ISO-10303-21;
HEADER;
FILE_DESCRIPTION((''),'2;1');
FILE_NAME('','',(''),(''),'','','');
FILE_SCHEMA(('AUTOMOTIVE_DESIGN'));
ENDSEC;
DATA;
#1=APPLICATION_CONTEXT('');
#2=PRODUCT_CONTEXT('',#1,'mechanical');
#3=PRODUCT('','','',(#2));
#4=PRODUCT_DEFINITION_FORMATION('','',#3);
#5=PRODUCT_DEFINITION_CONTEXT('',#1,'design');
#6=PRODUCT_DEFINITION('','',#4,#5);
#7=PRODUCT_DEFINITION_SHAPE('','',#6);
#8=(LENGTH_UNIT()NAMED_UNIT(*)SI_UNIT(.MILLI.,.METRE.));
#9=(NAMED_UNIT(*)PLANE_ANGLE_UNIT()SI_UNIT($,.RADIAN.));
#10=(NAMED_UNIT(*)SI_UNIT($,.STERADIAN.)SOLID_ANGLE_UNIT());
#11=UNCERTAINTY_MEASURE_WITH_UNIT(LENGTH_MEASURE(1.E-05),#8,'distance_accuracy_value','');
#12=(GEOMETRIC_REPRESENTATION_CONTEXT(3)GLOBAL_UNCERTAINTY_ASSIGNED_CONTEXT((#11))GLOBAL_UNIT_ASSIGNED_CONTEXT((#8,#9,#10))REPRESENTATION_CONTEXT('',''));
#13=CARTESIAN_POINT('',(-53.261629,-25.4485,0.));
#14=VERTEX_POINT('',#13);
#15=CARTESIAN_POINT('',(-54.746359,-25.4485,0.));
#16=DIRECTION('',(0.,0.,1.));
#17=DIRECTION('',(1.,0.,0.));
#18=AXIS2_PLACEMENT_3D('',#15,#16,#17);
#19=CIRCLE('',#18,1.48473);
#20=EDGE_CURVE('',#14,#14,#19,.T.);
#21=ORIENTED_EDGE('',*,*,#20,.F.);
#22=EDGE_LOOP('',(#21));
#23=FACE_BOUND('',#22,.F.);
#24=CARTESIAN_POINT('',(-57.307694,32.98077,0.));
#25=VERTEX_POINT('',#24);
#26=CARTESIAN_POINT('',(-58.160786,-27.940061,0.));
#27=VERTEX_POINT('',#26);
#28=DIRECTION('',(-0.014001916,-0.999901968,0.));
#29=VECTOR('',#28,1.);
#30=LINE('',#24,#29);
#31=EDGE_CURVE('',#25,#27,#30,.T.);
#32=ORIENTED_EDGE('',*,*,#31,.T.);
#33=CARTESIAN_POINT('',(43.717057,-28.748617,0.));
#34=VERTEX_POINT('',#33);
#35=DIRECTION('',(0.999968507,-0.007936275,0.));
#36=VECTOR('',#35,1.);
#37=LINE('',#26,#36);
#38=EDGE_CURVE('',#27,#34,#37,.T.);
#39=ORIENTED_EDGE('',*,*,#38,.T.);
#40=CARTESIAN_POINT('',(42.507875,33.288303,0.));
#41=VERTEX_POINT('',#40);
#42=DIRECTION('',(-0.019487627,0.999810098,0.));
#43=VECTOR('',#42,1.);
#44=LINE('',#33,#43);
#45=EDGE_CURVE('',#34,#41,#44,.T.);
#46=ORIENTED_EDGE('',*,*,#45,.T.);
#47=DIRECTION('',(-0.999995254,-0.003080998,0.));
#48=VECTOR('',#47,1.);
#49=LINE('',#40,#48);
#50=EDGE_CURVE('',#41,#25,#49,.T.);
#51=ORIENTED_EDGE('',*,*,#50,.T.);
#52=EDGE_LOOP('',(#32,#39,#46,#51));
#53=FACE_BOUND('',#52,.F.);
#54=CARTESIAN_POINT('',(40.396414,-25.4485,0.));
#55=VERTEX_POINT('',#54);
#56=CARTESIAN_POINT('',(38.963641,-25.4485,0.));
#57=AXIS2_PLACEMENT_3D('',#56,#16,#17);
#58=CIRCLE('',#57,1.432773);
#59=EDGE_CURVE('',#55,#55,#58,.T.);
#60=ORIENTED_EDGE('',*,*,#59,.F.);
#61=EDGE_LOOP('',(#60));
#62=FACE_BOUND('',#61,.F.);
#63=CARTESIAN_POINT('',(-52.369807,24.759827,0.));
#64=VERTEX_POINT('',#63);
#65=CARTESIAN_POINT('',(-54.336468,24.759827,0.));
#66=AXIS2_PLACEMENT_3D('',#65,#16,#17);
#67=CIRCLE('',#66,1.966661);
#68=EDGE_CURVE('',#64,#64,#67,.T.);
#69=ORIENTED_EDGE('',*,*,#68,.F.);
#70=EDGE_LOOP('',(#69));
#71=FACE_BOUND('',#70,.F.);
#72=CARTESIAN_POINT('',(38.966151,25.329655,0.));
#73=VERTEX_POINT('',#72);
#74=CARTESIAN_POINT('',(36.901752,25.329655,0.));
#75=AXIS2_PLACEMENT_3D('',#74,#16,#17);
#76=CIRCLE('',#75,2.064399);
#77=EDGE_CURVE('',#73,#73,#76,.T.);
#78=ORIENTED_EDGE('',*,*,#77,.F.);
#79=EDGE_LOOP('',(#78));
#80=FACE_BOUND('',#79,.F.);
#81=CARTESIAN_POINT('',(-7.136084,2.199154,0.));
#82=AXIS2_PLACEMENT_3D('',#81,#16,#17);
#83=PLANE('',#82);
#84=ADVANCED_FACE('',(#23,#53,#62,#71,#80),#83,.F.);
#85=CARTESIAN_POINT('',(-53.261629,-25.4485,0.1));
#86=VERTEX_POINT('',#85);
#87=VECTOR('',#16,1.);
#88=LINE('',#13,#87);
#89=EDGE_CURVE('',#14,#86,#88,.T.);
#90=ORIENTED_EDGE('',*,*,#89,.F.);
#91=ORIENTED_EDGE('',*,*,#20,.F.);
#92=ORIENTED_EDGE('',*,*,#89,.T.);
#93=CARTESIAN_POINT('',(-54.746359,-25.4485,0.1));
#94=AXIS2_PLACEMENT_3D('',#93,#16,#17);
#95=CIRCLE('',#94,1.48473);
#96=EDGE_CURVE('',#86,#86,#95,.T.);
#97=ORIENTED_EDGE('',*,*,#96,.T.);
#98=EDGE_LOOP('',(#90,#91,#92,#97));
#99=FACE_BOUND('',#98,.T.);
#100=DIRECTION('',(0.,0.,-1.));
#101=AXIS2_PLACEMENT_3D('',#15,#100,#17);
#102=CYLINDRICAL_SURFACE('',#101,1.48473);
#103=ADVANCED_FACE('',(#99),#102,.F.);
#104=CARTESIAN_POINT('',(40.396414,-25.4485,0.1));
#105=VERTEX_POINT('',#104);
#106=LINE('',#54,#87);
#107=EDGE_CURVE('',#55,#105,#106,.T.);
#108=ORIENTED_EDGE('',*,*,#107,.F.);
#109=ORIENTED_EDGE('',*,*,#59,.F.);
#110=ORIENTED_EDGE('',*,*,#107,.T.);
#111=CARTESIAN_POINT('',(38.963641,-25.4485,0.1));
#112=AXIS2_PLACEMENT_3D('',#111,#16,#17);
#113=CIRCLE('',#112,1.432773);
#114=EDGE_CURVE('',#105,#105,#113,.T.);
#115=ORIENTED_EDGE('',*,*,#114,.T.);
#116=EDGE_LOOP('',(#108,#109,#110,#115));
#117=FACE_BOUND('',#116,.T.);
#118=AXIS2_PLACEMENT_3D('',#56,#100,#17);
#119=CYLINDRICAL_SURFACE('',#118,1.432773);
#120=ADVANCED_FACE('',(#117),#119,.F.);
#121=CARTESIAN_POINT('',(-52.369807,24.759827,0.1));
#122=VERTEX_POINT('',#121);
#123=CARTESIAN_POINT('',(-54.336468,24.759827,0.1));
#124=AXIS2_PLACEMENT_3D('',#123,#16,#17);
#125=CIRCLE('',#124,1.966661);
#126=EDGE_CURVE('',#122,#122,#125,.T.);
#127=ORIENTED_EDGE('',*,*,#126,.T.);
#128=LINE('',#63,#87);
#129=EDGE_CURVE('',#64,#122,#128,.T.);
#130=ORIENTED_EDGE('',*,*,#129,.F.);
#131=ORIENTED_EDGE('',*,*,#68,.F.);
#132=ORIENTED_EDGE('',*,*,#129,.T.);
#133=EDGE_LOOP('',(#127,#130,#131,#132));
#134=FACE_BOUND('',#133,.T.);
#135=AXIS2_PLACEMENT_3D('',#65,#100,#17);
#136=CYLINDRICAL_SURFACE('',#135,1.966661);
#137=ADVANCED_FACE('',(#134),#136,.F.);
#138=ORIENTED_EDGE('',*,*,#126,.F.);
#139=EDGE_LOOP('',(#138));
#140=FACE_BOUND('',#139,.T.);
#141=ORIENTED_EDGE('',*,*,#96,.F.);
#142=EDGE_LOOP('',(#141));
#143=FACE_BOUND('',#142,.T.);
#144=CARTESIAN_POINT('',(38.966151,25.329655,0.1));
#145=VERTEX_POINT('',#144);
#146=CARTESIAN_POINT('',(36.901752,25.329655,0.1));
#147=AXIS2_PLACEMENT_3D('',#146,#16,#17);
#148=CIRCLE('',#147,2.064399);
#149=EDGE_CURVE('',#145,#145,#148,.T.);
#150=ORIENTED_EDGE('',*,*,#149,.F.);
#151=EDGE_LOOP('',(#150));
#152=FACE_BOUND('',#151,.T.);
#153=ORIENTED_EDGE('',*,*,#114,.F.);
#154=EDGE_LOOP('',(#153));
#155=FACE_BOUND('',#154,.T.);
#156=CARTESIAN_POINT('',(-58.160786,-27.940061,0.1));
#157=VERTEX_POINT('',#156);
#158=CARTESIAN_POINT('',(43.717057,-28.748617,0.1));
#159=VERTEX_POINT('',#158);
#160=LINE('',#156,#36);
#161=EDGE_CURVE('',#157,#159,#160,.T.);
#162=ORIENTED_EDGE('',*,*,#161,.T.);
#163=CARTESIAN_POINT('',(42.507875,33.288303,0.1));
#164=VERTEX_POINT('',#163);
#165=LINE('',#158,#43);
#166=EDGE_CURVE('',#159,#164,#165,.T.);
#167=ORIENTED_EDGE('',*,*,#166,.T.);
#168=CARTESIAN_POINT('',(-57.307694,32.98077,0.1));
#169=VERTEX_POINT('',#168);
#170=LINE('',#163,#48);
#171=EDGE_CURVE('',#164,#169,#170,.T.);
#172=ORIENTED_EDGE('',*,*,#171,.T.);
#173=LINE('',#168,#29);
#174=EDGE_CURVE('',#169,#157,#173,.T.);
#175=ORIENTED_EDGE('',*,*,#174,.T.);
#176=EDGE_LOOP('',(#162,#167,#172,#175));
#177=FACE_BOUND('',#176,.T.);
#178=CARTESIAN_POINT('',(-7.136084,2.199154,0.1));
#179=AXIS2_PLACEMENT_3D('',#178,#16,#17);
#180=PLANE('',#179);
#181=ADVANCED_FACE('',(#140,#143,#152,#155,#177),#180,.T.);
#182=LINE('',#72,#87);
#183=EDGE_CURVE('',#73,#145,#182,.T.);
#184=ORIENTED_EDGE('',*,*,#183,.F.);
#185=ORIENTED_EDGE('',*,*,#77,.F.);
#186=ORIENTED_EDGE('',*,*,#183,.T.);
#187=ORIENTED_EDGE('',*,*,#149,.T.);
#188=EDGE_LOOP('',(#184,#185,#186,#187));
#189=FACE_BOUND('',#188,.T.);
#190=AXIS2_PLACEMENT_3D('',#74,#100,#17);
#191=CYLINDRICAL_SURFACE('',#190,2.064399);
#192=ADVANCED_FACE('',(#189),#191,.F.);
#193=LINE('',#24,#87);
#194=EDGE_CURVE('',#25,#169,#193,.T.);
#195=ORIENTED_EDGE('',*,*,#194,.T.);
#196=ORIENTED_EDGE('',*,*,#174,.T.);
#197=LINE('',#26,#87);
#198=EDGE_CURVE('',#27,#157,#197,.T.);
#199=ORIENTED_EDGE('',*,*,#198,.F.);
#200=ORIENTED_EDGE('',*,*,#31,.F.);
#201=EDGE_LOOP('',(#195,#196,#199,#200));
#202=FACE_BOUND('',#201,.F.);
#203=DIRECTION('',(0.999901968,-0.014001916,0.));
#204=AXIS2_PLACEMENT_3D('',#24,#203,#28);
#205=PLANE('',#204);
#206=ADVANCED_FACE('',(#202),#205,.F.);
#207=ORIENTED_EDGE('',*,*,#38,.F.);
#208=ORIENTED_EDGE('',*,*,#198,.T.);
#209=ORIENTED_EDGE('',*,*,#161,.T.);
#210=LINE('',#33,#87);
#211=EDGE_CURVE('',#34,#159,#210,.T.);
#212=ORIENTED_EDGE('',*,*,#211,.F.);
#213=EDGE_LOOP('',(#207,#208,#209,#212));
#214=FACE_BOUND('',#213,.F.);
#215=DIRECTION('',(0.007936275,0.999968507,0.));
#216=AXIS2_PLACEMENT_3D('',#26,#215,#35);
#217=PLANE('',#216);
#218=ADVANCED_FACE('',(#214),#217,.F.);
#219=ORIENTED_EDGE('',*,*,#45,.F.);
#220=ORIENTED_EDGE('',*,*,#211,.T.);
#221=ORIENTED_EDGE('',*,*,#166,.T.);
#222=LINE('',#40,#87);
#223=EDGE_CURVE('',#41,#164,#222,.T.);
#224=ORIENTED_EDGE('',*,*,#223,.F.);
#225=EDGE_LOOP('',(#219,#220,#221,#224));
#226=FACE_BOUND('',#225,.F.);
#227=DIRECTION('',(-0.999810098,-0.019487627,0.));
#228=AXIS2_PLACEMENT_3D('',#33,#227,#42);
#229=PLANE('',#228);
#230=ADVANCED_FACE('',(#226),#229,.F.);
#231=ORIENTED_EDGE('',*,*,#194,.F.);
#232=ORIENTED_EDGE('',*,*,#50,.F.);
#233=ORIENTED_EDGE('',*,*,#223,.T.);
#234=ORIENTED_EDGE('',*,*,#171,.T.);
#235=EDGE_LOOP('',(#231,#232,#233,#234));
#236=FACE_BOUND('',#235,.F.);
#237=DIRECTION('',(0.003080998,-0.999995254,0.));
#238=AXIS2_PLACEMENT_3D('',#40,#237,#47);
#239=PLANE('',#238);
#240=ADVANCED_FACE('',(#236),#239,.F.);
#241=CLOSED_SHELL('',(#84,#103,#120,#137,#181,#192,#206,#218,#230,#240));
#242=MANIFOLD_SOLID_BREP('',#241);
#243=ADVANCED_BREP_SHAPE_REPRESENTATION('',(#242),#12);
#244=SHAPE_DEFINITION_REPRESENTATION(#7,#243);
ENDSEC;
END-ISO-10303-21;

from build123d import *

# Parameters (mm, degrees)
F0_R     = 1.48473
F0_R_2   = 1.432773
F0_R_3   = 1.966661
F0_R_4   = 2.064399
F1_DEPTH = 0.1


with BuildPart() as f1:
    # F0 (on Top) → F1 (new body)
    with BuildSketch(Plane.XY):
        Polygon((42.507875, 33.288303), (-57.307694, 32.98077), (-58.160786, -27.940061), (43.717057, -28.748617), align=None)
        with Locations((-54.746359, -25.4485)):
            Circle(F0_R, mode=Mode.SUBTRACT)
        with Locations((38.963641, -25.4485)):
            Circle(F0_R_2, mode=Mode.SUBTRACT)
        with Locations((-54.336468, 24.759827)):
            Circle(F0_R_3, mode=Mode.SUBTRACT)
        with Locations((36.901752, 25.329655)):
            Circle(F0_R_4, mode=Mode.SUBTRACT)
    extrude(amount=F1_DEPTH)


solid = f1.part
